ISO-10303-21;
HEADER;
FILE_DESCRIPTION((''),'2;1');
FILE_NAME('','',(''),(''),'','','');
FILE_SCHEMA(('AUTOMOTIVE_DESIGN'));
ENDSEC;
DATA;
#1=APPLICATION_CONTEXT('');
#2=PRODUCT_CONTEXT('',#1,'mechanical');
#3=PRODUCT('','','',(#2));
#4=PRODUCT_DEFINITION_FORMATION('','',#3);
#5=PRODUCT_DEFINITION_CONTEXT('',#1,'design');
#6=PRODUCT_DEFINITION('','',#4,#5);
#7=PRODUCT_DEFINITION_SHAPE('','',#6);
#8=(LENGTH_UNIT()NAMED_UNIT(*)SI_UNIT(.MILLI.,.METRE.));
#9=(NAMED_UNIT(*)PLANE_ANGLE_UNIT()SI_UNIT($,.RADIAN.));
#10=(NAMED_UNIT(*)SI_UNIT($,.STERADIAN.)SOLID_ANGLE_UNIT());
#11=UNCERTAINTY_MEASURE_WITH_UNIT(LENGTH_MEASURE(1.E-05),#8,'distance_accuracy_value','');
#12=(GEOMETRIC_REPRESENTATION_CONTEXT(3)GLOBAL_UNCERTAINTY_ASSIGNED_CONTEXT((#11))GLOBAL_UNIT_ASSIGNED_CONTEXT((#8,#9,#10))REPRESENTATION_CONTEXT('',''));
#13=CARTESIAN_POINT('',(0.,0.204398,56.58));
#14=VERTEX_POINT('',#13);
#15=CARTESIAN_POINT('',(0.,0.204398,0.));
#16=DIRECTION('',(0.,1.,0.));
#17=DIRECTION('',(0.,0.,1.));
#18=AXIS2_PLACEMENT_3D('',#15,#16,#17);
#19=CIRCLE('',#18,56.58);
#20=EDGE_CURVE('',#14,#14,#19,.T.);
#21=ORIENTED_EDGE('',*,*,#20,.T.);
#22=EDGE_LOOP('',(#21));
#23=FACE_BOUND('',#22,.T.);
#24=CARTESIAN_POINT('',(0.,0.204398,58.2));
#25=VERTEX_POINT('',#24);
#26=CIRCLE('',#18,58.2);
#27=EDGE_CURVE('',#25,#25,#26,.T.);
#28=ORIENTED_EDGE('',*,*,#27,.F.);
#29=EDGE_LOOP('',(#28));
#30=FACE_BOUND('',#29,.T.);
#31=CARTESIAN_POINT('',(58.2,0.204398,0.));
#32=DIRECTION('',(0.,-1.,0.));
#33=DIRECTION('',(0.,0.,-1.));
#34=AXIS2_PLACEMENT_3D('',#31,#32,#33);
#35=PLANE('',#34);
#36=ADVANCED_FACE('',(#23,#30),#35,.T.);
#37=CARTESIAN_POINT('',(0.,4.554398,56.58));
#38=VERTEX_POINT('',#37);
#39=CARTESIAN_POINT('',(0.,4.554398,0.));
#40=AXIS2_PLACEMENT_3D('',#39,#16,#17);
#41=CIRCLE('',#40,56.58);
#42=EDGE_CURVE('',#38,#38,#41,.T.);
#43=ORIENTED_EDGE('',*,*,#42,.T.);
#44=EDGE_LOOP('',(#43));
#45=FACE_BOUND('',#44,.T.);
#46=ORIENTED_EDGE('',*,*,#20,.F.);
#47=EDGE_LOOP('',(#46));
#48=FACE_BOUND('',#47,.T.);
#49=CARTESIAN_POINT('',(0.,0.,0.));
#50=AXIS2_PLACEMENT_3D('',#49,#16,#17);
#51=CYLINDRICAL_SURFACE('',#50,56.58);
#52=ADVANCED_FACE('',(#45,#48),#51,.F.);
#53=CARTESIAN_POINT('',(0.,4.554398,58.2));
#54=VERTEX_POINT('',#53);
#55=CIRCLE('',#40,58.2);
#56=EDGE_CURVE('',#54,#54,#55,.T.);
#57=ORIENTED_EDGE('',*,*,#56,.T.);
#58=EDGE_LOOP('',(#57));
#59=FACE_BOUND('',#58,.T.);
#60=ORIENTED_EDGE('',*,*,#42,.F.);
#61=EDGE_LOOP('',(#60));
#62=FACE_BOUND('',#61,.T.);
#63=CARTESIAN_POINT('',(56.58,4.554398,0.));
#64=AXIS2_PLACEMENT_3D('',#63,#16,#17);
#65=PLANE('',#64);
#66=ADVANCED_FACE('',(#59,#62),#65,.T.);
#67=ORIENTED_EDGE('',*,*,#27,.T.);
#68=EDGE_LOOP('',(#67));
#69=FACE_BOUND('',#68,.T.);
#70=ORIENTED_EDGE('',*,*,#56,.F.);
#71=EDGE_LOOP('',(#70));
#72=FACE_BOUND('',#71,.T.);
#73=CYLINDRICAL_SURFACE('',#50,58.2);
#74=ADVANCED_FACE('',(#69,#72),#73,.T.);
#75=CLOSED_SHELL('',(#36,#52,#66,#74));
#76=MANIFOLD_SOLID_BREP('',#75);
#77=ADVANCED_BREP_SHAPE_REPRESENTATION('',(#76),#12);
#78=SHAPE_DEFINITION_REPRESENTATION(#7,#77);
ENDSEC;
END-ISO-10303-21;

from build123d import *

# Parameters (mm, degrees)
SKETCH1_W = 1.62
SKETCH1_H = 4.35


with BuildPart() as part:
    # Sketch1 → Revolve1 (revolve)
    with BuildSketch(Plane(origin=(0, 0, 0), x_dir=(-1, 0, 0), z_dir=(0, 0, -1)), mode=Mode.PRIVATE) as revolve1_sk:
        with Locations((-57.39, 2.379397727)):
            Rectangle(SKETCH1_W, SKETCH1_H)
    revolve(revolve1_sk.sketch.rotate(Axis((0, 0, 0), (0, 1, 0)), 270), axis=Axis((0, 0, 0), (0, 1, 0)))


solid = part.part
